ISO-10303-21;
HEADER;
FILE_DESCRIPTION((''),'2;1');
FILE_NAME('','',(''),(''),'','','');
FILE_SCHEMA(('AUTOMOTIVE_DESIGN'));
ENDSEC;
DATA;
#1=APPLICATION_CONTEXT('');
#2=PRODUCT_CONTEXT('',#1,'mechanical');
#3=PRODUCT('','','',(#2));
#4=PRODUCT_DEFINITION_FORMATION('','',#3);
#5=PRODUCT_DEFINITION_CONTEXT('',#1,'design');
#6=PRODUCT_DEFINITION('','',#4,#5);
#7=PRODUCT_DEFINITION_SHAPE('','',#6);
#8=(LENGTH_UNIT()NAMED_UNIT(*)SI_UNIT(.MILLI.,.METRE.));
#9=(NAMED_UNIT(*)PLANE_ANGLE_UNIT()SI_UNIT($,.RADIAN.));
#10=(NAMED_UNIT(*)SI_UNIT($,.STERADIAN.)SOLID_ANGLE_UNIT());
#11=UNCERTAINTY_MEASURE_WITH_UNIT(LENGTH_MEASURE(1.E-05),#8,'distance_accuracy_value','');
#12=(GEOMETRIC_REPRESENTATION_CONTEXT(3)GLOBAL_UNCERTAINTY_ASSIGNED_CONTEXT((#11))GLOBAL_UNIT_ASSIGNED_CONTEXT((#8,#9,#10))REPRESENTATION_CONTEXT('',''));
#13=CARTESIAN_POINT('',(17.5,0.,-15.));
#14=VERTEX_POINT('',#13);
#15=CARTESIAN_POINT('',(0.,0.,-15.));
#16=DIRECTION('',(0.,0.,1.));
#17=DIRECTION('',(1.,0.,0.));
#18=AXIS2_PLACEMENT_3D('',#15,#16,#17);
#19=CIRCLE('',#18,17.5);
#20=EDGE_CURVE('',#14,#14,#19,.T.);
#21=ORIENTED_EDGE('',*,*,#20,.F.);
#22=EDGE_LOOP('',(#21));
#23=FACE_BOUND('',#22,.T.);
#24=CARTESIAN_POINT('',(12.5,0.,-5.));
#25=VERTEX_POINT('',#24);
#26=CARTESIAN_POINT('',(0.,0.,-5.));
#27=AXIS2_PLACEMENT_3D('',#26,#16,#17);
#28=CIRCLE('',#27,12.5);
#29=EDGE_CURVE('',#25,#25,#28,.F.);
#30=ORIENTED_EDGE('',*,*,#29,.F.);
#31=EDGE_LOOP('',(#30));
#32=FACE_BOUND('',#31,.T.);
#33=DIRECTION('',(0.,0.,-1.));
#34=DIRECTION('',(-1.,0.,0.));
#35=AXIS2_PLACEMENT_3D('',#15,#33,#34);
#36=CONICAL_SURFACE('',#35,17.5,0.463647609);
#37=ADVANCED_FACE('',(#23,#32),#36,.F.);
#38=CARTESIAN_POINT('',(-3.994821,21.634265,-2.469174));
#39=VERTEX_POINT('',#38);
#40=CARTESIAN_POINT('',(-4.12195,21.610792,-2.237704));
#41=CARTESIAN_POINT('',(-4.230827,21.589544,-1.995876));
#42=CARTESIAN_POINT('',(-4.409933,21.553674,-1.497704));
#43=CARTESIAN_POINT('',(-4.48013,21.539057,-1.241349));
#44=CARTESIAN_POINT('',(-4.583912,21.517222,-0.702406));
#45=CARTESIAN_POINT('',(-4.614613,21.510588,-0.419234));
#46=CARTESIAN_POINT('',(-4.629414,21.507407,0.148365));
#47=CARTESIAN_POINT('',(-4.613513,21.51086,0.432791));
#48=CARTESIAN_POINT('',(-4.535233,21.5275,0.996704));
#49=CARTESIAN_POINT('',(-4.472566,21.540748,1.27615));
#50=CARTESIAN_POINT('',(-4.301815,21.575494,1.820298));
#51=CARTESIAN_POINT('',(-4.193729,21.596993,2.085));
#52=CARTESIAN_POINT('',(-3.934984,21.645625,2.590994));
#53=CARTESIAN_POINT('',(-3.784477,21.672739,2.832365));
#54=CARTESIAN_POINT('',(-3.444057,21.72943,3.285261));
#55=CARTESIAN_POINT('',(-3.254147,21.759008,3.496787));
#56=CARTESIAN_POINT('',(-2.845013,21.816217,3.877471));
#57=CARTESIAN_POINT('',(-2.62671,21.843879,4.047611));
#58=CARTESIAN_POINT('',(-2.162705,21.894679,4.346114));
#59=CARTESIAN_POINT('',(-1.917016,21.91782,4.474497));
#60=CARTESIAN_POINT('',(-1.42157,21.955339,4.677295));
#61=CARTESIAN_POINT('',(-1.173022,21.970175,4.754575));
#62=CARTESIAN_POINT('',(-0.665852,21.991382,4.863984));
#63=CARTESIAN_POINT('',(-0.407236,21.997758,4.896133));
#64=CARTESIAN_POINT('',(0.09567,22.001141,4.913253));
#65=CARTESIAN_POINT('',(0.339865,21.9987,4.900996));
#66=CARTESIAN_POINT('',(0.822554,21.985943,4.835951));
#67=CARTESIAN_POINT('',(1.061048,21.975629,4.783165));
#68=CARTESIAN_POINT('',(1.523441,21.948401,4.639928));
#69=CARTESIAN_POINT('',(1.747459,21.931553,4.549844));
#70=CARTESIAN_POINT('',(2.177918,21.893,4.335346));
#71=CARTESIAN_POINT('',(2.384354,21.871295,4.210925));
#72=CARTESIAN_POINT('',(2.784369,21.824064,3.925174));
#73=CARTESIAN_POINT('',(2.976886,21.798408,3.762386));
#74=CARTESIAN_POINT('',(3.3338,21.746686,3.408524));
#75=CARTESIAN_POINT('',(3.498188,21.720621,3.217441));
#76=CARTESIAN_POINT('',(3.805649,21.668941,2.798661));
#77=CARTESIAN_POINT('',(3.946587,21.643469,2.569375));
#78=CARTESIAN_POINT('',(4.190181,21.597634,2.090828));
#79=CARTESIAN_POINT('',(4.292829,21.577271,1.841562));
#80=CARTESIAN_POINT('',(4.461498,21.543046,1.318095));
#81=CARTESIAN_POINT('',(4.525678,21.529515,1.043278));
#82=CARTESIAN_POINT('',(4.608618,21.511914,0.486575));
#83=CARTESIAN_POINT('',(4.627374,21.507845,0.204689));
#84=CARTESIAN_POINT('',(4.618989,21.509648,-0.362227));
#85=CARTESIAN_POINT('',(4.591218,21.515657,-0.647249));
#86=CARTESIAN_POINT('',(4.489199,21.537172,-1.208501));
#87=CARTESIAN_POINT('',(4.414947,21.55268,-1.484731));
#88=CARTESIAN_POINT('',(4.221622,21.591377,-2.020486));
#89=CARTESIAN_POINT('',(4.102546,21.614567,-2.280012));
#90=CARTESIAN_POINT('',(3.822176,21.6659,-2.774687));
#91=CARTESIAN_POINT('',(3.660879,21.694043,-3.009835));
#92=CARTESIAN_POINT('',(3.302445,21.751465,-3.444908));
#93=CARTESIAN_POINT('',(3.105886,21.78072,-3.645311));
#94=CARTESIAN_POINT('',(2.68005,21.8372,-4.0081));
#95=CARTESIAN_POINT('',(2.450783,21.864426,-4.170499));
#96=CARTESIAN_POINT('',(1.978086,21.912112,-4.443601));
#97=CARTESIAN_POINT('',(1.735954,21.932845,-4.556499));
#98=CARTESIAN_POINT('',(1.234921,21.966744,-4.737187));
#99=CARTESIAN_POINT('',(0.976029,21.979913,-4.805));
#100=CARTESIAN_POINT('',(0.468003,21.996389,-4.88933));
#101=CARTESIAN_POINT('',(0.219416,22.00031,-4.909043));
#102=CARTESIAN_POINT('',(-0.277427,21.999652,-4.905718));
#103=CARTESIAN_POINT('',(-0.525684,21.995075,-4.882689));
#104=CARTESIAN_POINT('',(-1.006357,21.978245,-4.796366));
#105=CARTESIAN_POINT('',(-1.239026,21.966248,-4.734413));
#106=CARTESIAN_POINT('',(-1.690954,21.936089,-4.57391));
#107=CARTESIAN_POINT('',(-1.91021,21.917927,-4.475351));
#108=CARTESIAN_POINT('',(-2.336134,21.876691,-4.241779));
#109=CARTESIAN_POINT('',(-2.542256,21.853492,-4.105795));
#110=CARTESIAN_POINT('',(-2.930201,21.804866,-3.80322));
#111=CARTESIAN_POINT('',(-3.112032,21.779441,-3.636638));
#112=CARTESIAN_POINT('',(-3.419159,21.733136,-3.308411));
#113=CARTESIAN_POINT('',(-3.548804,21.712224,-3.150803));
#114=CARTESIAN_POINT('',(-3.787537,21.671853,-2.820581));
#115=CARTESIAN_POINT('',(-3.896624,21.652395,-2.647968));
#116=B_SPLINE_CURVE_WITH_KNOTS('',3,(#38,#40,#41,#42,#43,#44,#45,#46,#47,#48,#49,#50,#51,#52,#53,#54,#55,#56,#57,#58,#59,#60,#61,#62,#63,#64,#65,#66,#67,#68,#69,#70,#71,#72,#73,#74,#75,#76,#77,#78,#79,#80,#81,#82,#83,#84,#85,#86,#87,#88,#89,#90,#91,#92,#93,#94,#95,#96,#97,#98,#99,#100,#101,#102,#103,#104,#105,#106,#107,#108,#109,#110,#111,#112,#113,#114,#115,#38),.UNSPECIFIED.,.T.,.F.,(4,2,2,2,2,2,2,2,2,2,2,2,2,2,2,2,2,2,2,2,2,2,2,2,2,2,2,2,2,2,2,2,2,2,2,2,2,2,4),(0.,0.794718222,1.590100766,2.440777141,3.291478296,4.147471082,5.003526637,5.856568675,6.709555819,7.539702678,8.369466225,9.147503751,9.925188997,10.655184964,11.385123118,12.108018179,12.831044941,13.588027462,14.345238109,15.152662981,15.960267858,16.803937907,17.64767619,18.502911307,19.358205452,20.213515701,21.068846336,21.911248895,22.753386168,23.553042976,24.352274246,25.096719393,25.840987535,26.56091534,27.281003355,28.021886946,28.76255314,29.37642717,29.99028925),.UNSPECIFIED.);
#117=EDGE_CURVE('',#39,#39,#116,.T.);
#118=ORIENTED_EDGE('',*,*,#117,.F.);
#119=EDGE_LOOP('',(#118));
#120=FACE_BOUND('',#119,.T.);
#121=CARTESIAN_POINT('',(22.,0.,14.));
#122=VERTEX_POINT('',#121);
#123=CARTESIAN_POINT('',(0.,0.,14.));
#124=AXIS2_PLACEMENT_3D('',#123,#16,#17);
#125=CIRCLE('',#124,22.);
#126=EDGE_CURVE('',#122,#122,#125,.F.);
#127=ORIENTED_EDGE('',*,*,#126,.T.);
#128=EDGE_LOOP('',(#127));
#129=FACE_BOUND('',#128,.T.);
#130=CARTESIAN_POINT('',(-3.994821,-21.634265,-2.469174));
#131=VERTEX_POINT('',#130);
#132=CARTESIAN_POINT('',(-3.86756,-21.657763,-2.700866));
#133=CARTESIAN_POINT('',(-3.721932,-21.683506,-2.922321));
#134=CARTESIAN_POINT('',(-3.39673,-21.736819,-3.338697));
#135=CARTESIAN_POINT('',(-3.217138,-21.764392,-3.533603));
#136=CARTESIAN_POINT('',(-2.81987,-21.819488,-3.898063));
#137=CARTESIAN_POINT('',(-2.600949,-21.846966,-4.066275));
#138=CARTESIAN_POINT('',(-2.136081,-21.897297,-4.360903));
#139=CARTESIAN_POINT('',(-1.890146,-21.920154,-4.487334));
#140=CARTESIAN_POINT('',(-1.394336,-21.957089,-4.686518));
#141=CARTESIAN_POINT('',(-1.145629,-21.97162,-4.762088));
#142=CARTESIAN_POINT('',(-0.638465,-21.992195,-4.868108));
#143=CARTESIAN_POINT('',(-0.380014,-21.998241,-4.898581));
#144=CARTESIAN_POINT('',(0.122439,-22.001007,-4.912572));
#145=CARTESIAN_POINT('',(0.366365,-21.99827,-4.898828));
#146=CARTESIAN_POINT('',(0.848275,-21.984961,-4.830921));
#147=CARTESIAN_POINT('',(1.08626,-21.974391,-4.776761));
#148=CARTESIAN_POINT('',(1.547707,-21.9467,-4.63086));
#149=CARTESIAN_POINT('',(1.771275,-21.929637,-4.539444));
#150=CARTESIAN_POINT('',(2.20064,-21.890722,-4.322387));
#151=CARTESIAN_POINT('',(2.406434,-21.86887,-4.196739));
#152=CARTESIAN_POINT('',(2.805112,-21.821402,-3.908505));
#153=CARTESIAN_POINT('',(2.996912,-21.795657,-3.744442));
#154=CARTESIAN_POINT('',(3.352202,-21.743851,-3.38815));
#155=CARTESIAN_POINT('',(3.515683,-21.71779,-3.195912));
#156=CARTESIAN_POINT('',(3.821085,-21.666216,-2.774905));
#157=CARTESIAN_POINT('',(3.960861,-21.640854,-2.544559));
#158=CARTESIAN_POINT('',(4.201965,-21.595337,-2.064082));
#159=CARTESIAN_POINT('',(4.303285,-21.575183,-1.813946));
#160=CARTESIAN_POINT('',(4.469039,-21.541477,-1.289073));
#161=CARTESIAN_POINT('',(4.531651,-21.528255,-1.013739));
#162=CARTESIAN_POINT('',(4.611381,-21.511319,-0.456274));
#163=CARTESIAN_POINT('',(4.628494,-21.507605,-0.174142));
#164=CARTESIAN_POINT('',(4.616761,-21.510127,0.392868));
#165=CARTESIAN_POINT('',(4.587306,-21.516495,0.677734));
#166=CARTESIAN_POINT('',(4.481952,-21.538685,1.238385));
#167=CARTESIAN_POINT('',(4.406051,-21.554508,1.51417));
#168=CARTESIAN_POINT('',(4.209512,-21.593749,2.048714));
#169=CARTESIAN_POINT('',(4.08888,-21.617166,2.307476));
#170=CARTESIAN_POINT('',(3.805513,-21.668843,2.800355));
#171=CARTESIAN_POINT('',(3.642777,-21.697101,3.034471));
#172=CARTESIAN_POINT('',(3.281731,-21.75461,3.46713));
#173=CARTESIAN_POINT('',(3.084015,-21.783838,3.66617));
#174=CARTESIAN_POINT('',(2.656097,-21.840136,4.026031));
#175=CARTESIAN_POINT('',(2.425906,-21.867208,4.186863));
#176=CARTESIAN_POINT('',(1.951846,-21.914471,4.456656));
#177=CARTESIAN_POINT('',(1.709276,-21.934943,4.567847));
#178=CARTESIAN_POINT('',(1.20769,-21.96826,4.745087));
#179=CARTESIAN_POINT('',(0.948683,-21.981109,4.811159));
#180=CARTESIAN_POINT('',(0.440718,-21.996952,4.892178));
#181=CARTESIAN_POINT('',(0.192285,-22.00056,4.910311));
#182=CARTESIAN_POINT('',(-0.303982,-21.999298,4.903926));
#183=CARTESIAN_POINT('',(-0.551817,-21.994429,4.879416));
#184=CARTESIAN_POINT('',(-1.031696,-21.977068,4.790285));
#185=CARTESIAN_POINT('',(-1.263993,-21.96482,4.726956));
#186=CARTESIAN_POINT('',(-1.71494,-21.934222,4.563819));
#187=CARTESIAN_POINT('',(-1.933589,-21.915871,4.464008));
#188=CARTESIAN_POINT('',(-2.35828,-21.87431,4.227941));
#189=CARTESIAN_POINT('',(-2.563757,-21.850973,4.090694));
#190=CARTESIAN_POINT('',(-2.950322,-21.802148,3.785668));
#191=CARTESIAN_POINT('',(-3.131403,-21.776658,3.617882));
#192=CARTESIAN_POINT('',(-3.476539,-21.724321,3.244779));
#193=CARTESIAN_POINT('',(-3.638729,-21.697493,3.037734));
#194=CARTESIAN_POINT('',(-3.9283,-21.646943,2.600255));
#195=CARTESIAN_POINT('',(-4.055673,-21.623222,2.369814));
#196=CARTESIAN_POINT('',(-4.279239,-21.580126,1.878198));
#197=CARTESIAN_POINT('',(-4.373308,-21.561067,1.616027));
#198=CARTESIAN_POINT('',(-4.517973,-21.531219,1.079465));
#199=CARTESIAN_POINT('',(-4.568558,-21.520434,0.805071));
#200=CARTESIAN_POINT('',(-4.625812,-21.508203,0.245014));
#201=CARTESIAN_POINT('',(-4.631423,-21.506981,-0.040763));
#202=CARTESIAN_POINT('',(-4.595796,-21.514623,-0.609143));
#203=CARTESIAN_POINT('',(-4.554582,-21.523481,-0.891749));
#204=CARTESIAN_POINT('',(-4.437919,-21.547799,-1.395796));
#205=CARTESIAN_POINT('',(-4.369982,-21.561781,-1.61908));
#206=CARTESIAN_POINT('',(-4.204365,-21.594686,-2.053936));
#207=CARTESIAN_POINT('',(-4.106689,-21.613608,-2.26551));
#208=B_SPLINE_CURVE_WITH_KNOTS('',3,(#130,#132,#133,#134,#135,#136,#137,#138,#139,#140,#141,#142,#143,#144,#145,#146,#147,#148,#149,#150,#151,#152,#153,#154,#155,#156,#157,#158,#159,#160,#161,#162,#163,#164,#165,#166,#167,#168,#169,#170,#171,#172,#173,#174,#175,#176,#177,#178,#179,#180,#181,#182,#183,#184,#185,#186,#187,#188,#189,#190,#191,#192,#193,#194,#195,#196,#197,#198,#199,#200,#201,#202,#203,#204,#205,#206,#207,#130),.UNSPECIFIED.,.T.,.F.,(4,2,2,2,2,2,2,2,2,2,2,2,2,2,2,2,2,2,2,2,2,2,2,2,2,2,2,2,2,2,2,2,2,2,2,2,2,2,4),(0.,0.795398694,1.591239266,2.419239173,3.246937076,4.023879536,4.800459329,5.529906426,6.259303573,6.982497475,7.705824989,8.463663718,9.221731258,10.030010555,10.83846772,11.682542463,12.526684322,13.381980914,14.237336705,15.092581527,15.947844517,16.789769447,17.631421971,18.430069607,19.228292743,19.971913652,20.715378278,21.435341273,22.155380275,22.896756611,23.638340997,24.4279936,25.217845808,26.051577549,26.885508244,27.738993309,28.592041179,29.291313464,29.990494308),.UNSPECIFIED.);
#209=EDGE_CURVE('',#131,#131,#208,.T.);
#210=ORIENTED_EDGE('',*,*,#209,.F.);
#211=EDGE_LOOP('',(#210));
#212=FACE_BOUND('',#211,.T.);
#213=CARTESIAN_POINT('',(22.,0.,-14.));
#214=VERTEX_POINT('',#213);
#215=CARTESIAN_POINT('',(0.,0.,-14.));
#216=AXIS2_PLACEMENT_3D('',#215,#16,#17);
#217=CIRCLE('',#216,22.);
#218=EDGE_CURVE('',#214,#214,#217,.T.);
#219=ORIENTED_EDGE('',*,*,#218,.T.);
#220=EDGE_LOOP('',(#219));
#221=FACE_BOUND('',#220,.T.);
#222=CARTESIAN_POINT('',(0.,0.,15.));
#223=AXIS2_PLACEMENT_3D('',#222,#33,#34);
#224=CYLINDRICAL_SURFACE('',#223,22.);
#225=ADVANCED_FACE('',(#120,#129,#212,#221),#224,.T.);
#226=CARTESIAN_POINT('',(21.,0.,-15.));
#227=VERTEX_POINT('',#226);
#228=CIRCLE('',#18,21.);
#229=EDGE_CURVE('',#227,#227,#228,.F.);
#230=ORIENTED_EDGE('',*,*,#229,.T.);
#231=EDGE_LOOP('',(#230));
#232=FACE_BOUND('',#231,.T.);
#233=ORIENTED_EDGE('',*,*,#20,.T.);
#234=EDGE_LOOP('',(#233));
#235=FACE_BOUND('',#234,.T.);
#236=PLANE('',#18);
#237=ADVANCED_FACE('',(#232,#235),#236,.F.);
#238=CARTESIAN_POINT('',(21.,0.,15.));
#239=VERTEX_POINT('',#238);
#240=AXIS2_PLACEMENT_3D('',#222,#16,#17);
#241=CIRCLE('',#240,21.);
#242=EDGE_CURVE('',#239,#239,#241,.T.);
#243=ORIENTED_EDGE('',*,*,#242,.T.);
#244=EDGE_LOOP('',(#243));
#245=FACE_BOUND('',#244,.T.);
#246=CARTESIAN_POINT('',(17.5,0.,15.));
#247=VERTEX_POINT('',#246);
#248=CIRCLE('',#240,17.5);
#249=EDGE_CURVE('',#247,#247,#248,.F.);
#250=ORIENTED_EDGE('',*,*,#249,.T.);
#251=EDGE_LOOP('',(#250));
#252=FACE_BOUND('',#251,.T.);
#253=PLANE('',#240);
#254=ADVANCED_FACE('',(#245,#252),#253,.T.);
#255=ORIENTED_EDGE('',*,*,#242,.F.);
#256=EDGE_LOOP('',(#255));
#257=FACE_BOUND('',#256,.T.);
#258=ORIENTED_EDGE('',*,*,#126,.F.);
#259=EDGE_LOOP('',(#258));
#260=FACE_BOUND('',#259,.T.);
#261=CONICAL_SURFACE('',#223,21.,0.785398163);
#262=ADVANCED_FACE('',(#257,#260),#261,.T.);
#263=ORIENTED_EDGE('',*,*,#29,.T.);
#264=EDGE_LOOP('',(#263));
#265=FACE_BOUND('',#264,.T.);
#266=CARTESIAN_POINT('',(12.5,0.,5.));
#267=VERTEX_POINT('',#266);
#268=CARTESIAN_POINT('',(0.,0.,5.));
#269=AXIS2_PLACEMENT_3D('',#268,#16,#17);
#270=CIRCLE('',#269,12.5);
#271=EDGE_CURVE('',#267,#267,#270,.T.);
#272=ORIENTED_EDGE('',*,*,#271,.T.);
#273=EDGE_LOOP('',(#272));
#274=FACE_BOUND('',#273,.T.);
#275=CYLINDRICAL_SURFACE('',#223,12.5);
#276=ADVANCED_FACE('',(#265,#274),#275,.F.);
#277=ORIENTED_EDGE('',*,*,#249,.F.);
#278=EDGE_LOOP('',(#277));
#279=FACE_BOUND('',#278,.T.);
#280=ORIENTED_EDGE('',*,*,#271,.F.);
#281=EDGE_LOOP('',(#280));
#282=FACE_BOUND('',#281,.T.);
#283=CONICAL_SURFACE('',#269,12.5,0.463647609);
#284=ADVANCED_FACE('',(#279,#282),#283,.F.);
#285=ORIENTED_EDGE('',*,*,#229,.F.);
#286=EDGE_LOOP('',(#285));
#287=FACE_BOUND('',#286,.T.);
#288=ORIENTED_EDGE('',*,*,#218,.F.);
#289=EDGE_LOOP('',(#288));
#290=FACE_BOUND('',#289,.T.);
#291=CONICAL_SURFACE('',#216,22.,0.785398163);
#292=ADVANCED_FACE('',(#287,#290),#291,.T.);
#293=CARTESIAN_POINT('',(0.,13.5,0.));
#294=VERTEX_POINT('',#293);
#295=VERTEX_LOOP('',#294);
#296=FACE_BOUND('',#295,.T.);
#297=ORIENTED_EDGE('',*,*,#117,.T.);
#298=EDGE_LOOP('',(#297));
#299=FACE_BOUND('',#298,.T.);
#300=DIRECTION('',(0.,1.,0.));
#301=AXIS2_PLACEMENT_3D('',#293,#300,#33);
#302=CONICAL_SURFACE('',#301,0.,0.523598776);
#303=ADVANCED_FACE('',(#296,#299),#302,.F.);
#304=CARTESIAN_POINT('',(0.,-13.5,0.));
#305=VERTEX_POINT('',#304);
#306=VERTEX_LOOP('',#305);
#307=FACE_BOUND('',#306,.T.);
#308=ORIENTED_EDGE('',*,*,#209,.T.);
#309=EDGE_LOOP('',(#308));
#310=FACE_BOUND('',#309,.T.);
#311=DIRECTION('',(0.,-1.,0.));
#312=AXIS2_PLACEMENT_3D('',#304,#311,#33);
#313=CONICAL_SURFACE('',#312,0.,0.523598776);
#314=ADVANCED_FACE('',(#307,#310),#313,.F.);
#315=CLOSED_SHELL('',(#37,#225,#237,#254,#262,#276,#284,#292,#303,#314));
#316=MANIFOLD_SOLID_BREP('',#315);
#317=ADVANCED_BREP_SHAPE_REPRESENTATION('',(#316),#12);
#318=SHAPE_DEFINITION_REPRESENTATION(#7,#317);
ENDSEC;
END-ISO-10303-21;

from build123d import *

# Parameters (mm, degrees)
SKETCH1_R           = 22
SKETCH1_R_2         = 12.5
BOSS_EXTRUDE1_DEPTH = 15
CHAMFER1_SIZE       = 1
CHAMFER2_SIZE       = 5
CHAMFER2_SIZE2      = 10
CHAMFER3_SIZE       = 10
CHAMFER3_SIZE2      = 5


with BuildPart() as part:
    # Sketch1 → Boss-Extrude1 (new, symmetric)
    with BuildSketch(Plane.XY):
        Circle(SKETCH1_R)
        Circle(SKETCH1_R_2, mode=Mode.SUBTRACT)
    extrude(amount=BOSS_EXTRUDE1_DEPTH, both=True)

    # Chamfer1
    chamfer1_edges = [part.edges().sort_by_distance(p)[0] for p in [
        (-22, 0, -15),
        (-22, 0, 15),
    ]]
    chamfer(chamfer1_edges, length=CHAMFER1_SIZE)

    # Chamfer2
    chamfer2_edges = [part.edges().sort_by_distance(p)[0] for p in [
        (-12.5, 0, 15),
    ]]
    chamfer2_side = [part.faces().sort_by_distance(p)[0] for p in [
        (-20.406030304, 0, 15),
    ]]
    chamfer(chamfer2_edges, length=CHAMFER2_SIZE, length2=CHAMFER2_SIZE2, reference=chamfer2_side[0])

    # Chamfer3
    chamfer3_edges = [part.edges().sort_by_distance(p)[0] for p in [
        (-12.5, 0, -15),
    ]]
    chamfer3_side = [part.faces().sort_by_distance(p)[0] for p in [
        (-12.5, 0, -5),
    ]]
    chamfer(chamfer3_edges, length=CHAMFER3_SIZE, length2=CHAMFER3_SIZE2, reference=chamfer3_side[0])

    # Sketch2 → Cut-Revolve1 (revolve, cut)
    with BuildSketch(Plane(origin=(-103.136389545, -329.994936254, 0), x_dir=(-1, 0, 0), z_dir=(0, 0, 1)), mode=Mode.PRIVATE) as cut_revolve1_sk:
        Polygon((-103.136389545, -304.994936254), (-103.136389545, -316.494936254), (-96.496861449, -304.994936254), align=None)
    cut_revolve1 = revolve(cut_revolve1_sk.sketch.rotate(Axis((0, -25, 0), (0, 1, 0)), 270), axis=Axis((0, -25, 0), (0, 1, 0)), mode=Mode.SUBTRACT)

    # Mirror3: Cut-Revolve1 across plane
    add(cut_revolve1.mirror(Plane.ZX), mode=Mode.SUBTRACT)


solid = part.part
